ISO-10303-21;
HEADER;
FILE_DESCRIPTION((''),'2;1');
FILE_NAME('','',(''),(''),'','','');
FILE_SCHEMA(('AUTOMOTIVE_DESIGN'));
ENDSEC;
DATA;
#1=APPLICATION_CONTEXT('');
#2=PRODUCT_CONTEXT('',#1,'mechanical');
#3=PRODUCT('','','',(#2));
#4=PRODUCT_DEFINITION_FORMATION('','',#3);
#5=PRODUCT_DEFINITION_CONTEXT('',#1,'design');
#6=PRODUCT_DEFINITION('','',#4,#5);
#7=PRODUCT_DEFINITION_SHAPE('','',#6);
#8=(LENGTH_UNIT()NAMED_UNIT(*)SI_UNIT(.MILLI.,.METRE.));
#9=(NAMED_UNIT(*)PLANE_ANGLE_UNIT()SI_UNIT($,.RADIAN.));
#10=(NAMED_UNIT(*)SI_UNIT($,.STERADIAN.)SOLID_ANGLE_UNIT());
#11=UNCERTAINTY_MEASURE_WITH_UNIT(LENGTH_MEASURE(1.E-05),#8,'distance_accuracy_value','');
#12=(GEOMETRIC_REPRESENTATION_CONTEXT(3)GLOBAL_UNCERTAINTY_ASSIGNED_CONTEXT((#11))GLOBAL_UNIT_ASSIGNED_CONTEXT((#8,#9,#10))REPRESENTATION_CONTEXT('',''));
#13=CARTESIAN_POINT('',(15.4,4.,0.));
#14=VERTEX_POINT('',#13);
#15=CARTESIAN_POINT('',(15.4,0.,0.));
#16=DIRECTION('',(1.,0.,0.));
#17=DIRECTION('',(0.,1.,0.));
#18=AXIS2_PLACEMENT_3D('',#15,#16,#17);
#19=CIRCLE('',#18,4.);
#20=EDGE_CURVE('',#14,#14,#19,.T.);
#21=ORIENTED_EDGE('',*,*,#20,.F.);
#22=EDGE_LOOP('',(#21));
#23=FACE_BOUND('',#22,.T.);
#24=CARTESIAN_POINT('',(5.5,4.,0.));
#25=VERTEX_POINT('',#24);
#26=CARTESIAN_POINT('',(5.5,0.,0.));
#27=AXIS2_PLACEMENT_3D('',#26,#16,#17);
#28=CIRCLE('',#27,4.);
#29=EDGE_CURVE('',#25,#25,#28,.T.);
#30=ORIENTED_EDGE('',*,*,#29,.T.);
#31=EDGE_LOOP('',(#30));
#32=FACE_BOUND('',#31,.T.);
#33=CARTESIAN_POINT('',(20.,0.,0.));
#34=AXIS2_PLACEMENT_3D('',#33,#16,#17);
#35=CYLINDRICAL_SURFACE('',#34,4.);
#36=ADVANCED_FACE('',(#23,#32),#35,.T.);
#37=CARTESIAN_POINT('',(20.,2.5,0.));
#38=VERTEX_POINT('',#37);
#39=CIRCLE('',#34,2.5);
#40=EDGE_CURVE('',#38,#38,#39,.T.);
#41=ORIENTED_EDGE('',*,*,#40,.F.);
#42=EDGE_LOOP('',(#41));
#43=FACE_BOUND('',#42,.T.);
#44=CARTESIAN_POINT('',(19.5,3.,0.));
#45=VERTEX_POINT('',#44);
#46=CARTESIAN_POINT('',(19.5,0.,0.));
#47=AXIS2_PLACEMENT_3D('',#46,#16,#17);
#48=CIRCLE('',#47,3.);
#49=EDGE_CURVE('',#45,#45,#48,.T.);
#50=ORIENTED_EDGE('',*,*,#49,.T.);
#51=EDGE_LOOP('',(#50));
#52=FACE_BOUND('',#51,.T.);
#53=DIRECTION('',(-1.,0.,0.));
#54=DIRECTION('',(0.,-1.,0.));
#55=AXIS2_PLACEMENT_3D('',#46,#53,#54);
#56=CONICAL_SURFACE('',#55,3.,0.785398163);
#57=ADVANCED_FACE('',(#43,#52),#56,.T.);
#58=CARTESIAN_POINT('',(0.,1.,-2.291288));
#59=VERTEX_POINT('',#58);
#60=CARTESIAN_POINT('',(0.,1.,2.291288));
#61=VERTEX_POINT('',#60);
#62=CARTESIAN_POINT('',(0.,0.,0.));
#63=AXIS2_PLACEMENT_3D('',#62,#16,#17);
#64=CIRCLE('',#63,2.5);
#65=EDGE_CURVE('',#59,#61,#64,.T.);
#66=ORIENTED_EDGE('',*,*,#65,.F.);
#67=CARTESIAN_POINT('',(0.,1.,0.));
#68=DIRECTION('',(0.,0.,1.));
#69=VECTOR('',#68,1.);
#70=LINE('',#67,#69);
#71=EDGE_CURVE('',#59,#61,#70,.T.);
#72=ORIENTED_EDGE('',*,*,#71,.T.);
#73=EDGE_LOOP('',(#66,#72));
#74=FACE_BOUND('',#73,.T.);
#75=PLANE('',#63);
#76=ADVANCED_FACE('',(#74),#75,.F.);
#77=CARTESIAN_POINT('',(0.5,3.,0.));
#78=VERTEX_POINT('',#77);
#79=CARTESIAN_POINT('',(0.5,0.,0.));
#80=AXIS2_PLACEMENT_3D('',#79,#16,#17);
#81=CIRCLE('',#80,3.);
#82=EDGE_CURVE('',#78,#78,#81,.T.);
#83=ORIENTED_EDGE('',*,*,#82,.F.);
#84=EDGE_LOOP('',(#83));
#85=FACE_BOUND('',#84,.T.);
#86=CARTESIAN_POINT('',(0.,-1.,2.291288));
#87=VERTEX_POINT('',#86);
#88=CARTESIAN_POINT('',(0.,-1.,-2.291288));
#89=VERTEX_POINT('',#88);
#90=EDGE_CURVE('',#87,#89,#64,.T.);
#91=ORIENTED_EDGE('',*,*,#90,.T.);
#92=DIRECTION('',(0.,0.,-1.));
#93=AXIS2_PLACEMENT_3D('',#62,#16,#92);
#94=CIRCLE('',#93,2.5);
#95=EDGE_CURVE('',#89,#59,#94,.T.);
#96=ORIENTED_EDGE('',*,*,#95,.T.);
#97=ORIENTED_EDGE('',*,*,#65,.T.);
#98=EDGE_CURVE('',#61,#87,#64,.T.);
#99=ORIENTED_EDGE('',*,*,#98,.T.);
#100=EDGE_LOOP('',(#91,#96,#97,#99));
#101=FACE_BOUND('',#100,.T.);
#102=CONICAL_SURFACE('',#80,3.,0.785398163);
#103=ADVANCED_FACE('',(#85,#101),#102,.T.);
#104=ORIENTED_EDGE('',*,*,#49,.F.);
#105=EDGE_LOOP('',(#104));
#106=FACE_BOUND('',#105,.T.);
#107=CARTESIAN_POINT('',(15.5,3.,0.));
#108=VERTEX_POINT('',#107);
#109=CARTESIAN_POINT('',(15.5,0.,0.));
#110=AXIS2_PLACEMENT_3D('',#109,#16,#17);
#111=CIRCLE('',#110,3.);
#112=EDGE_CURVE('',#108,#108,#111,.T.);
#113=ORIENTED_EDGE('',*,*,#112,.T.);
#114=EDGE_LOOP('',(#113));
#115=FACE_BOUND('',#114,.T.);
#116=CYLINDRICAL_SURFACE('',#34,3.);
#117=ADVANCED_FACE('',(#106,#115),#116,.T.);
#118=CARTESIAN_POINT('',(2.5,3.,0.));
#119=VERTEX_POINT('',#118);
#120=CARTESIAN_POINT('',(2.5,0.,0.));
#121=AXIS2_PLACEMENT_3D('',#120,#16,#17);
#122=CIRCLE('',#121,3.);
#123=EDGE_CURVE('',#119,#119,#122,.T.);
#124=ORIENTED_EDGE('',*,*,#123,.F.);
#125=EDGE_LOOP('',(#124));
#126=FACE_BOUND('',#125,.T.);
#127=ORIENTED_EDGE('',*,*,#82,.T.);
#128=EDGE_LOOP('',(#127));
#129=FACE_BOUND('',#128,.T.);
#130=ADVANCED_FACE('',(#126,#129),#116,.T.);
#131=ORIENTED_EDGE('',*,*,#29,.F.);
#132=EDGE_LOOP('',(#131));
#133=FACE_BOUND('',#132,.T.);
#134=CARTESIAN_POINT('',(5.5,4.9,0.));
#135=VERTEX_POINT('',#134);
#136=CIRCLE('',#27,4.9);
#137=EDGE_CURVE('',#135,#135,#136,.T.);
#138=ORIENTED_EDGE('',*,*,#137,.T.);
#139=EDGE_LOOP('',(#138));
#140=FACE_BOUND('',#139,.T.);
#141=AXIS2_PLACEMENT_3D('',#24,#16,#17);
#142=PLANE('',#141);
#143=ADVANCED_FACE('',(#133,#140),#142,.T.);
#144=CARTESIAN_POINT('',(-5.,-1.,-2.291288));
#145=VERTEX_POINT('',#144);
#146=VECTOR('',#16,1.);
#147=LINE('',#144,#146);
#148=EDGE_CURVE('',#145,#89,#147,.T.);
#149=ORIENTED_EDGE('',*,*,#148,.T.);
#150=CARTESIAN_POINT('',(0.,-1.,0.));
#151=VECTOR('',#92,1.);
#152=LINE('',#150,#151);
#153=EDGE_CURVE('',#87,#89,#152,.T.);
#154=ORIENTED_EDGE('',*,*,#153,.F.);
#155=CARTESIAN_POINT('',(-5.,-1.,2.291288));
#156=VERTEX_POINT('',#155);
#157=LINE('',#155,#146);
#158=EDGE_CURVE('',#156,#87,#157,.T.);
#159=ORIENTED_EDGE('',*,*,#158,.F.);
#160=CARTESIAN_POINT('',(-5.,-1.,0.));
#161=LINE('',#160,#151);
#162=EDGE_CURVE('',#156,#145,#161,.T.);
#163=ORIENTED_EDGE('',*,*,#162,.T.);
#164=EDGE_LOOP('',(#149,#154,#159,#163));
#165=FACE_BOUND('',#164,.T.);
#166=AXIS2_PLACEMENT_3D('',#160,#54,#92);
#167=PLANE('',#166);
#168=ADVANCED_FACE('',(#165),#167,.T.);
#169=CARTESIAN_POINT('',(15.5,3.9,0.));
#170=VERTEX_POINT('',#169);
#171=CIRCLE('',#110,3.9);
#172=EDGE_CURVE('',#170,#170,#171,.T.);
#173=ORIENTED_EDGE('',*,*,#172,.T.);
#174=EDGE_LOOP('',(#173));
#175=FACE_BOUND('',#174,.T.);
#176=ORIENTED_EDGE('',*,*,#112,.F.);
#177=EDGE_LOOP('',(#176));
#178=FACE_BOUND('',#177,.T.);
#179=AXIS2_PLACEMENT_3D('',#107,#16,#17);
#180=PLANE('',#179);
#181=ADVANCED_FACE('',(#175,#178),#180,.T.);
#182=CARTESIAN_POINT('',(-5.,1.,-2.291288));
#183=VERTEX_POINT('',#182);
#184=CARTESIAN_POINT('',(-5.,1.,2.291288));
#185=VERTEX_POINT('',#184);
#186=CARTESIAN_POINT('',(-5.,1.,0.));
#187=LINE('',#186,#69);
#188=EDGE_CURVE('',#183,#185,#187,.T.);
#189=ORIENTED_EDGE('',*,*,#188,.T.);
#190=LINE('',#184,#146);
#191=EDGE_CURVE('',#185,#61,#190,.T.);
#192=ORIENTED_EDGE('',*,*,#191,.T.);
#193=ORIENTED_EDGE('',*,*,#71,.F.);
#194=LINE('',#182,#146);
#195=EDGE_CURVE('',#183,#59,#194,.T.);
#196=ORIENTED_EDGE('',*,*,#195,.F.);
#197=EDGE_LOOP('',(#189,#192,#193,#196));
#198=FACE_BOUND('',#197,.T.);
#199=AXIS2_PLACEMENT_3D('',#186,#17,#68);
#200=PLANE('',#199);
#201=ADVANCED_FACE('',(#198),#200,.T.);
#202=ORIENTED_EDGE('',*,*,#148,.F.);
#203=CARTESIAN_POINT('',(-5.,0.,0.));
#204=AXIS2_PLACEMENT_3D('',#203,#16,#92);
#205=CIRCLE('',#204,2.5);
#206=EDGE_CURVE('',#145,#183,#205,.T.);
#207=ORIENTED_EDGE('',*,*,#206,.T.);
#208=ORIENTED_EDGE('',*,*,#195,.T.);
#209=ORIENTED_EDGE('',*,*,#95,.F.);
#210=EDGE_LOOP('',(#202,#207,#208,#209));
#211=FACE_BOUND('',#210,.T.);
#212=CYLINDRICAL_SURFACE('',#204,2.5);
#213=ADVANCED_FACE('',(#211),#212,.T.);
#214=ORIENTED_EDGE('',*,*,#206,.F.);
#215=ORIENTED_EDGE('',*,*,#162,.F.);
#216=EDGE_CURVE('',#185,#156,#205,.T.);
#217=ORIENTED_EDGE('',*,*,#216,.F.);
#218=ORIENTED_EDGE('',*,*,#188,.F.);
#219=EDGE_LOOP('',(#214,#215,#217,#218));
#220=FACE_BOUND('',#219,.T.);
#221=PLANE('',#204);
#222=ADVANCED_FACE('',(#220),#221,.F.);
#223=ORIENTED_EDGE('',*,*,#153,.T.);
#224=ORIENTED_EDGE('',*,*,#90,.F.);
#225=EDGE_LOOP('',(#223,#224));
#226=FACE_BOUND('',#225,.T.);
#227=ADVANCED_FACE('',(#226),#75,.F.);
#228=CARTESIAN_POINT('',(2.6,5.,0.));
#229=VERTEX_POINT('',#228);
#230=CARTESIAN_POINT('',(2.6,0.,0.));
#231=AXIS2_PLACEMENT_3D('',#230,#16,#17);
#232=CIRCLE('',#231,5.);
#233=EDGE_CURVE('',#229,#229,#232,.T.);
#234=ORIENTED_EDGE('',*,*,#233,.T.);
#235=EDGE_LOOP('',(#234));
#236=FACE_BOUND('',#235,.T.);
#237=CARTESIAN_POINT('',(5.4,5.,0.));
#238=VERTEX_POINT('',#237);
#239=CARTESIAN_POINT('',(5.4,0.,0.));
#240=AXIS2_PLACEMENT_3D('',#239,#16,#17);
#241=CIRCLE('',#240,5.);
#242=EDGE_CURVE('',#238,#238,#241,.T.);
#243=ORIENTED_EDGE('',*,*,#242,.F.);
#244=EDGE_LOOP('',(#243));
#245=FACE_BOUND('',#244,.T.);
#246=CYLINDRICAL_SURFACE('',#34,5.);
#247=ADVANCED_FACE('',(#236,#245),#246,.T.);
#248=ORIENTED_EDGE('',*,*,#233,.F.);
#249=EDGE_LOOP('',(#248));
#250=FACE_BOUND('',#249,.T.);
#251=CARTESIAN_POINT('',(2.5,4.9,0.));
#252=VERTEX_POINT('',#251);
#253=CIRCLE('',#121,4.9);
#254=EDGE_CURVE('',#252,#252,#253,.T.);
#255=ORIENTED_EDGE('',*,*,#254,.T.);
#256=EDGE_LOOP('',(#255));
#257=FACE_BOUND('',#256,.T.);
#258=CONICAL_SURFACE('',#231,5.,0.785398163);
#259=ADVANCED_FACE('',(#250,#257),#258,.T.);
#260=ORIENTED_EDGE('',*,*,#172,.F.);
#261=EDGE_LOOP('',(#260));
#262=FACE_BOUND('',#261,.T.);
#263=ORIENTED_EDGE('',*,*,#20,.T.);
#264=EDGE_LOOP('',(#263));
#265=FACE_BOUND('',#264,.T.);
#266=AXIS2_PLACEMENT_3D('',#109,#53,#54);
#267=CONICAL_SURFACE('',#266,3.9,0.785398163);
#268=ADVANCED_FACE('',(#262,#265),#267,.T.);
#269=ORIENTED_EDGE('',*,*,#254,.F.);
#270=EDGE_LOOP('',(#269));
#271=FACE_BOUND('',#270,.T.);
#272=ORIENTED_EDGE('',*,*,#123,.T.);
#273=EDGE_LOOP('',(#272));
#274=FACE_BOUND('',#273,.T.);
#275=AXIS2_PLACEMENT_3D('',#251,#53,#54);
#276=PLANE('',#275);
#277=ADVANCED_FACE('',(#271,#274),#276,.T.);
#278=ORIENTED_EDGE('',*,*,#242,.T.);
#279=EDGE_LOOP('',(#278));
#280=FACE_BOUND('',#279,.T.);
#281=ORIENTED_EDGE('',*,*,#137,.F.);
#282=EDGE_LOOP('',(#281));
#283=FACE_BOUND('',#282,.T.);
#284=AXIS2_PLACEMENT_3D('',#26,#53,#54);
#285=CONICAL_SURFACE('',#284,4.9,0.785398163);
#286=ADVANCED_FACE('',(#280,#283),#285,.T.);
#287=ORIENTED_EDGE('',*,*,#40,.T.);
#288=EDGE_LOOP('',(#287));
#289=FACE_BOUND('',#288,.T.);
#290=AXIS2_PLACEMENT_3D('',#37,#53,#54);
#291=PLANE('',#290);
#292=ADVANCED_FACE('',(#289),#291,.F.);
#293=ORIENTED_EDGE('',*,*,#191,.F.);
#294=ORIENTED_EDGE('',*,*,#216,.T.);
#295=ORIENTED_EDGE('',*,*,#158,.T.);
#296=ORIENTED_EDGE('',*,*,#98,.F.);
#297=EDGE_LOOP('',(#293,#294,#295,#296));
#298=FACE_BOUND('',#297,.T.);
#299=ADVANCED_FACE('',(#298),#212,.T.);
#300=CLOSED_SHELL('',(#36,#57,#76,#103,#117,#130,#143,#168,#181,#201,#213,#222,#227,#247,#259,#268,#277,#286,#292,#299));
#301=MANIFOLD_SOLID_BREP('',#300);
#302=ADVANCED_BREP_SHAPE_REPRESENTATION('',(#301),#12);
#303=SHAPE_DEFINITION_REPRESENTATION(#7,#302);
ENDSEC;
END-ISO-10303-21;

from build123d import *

# Parameters (mm, degrees)
EXTRUDE_3_DEPTH = 5


with BuildPart() as part:
    # 草图1 → 旋转1 (revolve)
    with BuildSketch(Plane.XY):
        Polygon((0, 0), (0, 2.5), (0.5, 3), (2.5, 3), (2.5, 4.9), (2.6, 5), (5.4, 5), (5.5, 4.9), (5.5, 4), (15.4, 4), (15.5, 3.9), (15.5, 3), (19.5, 3), (20, 2.5), (20, 0), align=None)
    revolve(axis=Axis((20, 0, 0), (-1, 0, 0)))

    # 草图4 → 凸台-拉伸3 (add)
    with BuildSketch(Plane(origin=(0, 0, 0), x_dir=(0, 0, -1), z_dir=(1, 0, 0))):
        with BuildLine():
            Line((0, 1), (2.291287847, 1))
            ThreePointArc((2.291287847, 1), (2.5, 0), (2.291287847, -1))
            Line((2.291287847, -1), (0, -1))
            Line((0, -1), (-2.291287847, -1))
            ThreePointArc((-2.291287847, -1), (-2.5, 0), (-2.291287847, 1))
            Line((-2.291287847, 1), (0, 1))
        make_face()
    extrude(amount=-EXTRUDE_3_DEPTH)


solid = part.part
